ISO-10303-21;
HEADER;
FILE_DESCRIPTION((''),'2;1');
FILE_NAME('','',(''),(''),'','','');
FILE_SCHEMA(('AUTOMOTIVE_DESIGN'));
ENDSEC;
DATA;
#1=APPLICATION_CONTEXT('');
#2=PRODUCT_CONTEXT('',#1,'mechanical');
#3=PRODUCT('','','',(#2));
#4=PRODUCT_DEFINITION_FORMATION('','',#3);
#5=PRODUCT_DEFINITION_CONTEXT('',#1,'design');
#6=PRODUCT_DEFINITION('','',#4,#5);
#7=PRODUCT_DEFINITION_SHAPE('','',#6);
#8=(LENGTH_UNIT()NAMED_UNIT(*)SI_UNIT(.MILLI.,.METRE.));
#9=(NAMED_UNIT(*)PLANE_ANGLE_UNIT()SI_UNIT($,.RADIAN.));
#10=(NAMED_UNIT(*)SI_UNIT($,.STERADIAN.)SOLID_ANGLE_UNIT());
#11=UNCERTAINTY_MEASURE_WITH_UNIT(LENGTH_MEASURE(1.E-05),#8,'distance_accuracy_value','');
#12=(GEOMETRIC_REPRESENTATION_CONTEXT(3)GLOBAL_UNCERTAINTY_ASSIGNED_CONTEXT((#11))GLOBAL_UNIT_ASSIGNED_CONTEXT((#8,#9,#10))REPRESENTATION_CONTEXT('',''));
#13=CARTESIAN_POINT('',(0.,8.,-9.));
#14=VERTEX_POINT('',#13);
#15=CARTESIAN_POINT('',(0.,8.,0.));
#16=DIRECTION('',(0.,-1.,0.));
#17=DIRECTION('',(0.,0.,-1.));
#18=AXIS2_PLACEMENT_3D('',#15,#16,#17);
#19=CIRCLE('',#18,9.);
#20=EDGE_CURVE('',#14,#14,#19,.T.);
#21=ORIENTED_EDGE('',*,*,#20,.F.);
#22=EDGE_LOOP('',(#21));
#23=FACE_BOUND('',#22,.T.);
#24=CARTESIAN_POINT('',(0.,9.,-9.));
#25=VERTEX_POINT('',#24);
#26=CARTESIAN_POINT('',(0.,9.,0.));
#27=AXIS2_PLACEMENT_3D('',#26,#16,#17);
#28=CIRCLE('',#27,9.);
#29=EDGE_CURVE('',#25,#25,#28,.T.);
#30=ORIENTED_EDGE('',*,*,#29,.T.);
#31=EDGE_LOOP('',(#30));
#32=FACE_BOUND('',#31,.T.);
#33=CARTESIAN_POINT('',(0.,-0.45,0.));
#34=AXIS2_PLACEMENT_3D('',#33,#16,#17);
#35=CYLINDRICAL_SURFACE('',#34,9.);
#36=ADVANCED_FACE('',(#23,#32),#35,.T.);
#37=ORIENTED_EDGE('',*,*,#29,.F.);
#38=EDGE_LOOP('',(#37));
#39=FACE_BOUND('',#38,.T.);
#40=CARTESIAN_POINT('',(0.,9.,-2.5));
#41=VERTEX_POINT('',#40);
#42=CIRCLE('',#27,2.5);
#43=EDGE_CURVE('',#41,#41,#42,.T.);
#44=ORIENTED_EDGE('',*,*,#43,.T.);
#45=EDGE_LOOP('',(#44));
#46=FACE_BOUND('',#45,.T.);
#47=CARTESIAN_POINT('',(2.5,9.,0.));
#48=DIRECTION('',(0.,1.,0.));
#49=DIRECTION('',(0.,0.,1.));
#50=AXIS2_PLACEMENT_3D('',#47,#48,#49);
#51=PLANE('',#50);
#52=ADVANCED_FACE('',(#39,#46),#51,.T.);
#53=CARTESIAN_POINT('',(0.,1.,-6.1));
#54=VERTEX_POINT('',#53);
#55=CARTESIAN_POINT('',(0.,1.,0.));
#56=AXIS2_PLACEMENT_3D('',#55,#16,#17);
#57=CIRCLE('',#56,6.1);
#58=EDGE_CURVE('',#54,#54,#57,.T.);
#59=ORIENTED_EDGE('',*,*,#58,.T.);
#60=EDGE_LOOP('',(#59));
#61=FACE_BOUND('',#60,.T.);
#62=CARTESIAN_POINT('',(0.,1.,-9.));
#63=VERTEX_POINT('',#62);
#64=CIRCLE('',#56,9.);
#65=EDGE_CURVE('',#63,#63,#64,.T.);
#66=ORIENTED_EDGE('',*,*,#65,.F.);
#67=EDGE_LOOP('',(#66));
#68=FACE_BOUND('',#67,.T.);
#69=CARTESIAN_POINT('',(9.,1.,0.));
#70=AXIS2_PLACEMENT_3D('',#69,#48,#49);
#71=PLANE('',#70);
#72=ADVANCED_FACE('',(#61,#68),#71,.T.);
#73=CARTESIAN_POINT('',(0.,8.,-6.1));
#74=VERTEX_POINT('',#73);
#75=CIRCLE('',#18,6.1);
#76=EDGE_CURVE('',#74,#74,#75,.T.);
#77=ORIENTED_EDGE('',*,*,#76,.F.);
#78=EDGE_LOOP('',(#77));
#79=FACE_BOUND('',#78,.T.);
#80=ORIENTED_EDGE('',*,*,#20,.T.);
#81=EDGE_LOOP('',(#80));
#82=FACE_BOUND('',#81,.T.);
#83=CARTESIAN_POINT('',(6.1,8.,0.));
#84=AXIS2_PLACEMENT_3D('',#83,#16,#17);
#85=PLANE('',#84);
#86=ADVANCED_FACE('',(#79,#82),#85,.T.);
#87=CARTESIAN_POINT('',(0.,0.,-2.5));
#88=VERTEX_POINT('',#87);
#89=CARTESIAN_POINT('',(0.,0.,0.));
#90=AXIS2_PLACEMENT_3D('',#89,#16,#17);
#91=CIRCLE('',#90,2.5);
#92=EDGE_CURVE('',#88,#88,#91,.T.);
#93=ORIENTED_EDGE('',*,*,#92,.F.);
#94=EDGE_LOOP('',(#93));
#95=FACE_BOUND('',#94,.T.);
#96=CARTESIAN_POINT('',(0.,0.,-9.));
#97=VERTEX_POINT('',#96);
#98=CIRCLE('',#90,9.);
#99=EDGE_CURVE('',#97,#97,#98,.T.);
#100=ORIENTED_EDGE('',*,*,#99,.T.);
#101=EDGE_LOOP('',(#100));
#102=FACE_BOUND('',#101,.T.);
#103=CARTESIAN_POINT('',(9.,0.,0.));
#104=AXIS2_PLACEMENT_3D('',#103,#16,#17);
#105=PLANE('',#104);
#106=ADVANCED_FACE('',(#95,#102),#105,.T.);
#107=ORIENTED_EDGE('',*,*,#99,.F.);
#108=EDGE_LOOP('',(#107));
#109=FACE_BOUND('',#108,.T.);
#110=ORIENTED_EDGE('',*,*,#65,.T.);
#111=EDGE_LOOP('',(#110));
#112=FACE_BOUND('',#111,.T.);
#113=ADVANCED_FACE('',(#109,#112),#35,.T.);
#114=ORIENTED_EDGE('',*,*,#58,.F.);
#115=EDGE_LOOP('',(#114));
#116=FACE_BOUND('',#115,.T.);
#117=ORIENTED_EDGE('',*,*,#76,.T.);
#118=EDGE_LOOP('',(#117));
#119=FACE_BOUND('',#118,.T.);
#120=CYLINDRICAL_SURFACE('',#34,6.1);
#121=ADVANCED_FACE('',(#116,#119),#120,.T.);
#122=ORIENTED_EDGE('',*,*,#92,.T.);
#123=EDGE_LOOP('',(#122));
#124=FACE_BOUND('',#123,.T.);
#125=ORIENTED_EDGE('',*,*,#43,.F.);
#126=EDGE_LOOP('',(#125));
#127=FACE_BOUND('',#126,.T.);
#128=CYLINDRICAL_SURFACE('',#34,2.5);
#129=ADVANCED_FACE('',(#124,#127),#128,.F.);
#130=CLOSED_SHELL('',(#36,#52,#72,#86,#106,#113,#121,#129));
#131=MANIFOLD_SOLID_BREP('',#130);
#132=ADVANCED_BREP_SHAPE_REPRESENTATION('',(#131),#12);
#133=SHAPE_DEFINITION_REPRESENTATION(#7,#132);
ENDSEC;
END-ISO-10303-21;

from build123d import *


with BuildPart() as part:
    # Sketch1 → Revolve1 (revolve)
    with BuildSketch(Plane.XY, mode=Mode.PRIVATE) as revolve1_sk:
        Polygon((9, 0), (9, 1), (6.1, 1), (6.1, 8), (9, 8), (9, 9), (2.5, 9), (2.5, 0), align=None)
    revolve(revolve1_sk.sketch.rotate(Axis((0, -0.45, 0), (0, 1, 0)), 90), axis=Axis((0, -0.45, 0), (0, 1, 0)))


solid = part.part
